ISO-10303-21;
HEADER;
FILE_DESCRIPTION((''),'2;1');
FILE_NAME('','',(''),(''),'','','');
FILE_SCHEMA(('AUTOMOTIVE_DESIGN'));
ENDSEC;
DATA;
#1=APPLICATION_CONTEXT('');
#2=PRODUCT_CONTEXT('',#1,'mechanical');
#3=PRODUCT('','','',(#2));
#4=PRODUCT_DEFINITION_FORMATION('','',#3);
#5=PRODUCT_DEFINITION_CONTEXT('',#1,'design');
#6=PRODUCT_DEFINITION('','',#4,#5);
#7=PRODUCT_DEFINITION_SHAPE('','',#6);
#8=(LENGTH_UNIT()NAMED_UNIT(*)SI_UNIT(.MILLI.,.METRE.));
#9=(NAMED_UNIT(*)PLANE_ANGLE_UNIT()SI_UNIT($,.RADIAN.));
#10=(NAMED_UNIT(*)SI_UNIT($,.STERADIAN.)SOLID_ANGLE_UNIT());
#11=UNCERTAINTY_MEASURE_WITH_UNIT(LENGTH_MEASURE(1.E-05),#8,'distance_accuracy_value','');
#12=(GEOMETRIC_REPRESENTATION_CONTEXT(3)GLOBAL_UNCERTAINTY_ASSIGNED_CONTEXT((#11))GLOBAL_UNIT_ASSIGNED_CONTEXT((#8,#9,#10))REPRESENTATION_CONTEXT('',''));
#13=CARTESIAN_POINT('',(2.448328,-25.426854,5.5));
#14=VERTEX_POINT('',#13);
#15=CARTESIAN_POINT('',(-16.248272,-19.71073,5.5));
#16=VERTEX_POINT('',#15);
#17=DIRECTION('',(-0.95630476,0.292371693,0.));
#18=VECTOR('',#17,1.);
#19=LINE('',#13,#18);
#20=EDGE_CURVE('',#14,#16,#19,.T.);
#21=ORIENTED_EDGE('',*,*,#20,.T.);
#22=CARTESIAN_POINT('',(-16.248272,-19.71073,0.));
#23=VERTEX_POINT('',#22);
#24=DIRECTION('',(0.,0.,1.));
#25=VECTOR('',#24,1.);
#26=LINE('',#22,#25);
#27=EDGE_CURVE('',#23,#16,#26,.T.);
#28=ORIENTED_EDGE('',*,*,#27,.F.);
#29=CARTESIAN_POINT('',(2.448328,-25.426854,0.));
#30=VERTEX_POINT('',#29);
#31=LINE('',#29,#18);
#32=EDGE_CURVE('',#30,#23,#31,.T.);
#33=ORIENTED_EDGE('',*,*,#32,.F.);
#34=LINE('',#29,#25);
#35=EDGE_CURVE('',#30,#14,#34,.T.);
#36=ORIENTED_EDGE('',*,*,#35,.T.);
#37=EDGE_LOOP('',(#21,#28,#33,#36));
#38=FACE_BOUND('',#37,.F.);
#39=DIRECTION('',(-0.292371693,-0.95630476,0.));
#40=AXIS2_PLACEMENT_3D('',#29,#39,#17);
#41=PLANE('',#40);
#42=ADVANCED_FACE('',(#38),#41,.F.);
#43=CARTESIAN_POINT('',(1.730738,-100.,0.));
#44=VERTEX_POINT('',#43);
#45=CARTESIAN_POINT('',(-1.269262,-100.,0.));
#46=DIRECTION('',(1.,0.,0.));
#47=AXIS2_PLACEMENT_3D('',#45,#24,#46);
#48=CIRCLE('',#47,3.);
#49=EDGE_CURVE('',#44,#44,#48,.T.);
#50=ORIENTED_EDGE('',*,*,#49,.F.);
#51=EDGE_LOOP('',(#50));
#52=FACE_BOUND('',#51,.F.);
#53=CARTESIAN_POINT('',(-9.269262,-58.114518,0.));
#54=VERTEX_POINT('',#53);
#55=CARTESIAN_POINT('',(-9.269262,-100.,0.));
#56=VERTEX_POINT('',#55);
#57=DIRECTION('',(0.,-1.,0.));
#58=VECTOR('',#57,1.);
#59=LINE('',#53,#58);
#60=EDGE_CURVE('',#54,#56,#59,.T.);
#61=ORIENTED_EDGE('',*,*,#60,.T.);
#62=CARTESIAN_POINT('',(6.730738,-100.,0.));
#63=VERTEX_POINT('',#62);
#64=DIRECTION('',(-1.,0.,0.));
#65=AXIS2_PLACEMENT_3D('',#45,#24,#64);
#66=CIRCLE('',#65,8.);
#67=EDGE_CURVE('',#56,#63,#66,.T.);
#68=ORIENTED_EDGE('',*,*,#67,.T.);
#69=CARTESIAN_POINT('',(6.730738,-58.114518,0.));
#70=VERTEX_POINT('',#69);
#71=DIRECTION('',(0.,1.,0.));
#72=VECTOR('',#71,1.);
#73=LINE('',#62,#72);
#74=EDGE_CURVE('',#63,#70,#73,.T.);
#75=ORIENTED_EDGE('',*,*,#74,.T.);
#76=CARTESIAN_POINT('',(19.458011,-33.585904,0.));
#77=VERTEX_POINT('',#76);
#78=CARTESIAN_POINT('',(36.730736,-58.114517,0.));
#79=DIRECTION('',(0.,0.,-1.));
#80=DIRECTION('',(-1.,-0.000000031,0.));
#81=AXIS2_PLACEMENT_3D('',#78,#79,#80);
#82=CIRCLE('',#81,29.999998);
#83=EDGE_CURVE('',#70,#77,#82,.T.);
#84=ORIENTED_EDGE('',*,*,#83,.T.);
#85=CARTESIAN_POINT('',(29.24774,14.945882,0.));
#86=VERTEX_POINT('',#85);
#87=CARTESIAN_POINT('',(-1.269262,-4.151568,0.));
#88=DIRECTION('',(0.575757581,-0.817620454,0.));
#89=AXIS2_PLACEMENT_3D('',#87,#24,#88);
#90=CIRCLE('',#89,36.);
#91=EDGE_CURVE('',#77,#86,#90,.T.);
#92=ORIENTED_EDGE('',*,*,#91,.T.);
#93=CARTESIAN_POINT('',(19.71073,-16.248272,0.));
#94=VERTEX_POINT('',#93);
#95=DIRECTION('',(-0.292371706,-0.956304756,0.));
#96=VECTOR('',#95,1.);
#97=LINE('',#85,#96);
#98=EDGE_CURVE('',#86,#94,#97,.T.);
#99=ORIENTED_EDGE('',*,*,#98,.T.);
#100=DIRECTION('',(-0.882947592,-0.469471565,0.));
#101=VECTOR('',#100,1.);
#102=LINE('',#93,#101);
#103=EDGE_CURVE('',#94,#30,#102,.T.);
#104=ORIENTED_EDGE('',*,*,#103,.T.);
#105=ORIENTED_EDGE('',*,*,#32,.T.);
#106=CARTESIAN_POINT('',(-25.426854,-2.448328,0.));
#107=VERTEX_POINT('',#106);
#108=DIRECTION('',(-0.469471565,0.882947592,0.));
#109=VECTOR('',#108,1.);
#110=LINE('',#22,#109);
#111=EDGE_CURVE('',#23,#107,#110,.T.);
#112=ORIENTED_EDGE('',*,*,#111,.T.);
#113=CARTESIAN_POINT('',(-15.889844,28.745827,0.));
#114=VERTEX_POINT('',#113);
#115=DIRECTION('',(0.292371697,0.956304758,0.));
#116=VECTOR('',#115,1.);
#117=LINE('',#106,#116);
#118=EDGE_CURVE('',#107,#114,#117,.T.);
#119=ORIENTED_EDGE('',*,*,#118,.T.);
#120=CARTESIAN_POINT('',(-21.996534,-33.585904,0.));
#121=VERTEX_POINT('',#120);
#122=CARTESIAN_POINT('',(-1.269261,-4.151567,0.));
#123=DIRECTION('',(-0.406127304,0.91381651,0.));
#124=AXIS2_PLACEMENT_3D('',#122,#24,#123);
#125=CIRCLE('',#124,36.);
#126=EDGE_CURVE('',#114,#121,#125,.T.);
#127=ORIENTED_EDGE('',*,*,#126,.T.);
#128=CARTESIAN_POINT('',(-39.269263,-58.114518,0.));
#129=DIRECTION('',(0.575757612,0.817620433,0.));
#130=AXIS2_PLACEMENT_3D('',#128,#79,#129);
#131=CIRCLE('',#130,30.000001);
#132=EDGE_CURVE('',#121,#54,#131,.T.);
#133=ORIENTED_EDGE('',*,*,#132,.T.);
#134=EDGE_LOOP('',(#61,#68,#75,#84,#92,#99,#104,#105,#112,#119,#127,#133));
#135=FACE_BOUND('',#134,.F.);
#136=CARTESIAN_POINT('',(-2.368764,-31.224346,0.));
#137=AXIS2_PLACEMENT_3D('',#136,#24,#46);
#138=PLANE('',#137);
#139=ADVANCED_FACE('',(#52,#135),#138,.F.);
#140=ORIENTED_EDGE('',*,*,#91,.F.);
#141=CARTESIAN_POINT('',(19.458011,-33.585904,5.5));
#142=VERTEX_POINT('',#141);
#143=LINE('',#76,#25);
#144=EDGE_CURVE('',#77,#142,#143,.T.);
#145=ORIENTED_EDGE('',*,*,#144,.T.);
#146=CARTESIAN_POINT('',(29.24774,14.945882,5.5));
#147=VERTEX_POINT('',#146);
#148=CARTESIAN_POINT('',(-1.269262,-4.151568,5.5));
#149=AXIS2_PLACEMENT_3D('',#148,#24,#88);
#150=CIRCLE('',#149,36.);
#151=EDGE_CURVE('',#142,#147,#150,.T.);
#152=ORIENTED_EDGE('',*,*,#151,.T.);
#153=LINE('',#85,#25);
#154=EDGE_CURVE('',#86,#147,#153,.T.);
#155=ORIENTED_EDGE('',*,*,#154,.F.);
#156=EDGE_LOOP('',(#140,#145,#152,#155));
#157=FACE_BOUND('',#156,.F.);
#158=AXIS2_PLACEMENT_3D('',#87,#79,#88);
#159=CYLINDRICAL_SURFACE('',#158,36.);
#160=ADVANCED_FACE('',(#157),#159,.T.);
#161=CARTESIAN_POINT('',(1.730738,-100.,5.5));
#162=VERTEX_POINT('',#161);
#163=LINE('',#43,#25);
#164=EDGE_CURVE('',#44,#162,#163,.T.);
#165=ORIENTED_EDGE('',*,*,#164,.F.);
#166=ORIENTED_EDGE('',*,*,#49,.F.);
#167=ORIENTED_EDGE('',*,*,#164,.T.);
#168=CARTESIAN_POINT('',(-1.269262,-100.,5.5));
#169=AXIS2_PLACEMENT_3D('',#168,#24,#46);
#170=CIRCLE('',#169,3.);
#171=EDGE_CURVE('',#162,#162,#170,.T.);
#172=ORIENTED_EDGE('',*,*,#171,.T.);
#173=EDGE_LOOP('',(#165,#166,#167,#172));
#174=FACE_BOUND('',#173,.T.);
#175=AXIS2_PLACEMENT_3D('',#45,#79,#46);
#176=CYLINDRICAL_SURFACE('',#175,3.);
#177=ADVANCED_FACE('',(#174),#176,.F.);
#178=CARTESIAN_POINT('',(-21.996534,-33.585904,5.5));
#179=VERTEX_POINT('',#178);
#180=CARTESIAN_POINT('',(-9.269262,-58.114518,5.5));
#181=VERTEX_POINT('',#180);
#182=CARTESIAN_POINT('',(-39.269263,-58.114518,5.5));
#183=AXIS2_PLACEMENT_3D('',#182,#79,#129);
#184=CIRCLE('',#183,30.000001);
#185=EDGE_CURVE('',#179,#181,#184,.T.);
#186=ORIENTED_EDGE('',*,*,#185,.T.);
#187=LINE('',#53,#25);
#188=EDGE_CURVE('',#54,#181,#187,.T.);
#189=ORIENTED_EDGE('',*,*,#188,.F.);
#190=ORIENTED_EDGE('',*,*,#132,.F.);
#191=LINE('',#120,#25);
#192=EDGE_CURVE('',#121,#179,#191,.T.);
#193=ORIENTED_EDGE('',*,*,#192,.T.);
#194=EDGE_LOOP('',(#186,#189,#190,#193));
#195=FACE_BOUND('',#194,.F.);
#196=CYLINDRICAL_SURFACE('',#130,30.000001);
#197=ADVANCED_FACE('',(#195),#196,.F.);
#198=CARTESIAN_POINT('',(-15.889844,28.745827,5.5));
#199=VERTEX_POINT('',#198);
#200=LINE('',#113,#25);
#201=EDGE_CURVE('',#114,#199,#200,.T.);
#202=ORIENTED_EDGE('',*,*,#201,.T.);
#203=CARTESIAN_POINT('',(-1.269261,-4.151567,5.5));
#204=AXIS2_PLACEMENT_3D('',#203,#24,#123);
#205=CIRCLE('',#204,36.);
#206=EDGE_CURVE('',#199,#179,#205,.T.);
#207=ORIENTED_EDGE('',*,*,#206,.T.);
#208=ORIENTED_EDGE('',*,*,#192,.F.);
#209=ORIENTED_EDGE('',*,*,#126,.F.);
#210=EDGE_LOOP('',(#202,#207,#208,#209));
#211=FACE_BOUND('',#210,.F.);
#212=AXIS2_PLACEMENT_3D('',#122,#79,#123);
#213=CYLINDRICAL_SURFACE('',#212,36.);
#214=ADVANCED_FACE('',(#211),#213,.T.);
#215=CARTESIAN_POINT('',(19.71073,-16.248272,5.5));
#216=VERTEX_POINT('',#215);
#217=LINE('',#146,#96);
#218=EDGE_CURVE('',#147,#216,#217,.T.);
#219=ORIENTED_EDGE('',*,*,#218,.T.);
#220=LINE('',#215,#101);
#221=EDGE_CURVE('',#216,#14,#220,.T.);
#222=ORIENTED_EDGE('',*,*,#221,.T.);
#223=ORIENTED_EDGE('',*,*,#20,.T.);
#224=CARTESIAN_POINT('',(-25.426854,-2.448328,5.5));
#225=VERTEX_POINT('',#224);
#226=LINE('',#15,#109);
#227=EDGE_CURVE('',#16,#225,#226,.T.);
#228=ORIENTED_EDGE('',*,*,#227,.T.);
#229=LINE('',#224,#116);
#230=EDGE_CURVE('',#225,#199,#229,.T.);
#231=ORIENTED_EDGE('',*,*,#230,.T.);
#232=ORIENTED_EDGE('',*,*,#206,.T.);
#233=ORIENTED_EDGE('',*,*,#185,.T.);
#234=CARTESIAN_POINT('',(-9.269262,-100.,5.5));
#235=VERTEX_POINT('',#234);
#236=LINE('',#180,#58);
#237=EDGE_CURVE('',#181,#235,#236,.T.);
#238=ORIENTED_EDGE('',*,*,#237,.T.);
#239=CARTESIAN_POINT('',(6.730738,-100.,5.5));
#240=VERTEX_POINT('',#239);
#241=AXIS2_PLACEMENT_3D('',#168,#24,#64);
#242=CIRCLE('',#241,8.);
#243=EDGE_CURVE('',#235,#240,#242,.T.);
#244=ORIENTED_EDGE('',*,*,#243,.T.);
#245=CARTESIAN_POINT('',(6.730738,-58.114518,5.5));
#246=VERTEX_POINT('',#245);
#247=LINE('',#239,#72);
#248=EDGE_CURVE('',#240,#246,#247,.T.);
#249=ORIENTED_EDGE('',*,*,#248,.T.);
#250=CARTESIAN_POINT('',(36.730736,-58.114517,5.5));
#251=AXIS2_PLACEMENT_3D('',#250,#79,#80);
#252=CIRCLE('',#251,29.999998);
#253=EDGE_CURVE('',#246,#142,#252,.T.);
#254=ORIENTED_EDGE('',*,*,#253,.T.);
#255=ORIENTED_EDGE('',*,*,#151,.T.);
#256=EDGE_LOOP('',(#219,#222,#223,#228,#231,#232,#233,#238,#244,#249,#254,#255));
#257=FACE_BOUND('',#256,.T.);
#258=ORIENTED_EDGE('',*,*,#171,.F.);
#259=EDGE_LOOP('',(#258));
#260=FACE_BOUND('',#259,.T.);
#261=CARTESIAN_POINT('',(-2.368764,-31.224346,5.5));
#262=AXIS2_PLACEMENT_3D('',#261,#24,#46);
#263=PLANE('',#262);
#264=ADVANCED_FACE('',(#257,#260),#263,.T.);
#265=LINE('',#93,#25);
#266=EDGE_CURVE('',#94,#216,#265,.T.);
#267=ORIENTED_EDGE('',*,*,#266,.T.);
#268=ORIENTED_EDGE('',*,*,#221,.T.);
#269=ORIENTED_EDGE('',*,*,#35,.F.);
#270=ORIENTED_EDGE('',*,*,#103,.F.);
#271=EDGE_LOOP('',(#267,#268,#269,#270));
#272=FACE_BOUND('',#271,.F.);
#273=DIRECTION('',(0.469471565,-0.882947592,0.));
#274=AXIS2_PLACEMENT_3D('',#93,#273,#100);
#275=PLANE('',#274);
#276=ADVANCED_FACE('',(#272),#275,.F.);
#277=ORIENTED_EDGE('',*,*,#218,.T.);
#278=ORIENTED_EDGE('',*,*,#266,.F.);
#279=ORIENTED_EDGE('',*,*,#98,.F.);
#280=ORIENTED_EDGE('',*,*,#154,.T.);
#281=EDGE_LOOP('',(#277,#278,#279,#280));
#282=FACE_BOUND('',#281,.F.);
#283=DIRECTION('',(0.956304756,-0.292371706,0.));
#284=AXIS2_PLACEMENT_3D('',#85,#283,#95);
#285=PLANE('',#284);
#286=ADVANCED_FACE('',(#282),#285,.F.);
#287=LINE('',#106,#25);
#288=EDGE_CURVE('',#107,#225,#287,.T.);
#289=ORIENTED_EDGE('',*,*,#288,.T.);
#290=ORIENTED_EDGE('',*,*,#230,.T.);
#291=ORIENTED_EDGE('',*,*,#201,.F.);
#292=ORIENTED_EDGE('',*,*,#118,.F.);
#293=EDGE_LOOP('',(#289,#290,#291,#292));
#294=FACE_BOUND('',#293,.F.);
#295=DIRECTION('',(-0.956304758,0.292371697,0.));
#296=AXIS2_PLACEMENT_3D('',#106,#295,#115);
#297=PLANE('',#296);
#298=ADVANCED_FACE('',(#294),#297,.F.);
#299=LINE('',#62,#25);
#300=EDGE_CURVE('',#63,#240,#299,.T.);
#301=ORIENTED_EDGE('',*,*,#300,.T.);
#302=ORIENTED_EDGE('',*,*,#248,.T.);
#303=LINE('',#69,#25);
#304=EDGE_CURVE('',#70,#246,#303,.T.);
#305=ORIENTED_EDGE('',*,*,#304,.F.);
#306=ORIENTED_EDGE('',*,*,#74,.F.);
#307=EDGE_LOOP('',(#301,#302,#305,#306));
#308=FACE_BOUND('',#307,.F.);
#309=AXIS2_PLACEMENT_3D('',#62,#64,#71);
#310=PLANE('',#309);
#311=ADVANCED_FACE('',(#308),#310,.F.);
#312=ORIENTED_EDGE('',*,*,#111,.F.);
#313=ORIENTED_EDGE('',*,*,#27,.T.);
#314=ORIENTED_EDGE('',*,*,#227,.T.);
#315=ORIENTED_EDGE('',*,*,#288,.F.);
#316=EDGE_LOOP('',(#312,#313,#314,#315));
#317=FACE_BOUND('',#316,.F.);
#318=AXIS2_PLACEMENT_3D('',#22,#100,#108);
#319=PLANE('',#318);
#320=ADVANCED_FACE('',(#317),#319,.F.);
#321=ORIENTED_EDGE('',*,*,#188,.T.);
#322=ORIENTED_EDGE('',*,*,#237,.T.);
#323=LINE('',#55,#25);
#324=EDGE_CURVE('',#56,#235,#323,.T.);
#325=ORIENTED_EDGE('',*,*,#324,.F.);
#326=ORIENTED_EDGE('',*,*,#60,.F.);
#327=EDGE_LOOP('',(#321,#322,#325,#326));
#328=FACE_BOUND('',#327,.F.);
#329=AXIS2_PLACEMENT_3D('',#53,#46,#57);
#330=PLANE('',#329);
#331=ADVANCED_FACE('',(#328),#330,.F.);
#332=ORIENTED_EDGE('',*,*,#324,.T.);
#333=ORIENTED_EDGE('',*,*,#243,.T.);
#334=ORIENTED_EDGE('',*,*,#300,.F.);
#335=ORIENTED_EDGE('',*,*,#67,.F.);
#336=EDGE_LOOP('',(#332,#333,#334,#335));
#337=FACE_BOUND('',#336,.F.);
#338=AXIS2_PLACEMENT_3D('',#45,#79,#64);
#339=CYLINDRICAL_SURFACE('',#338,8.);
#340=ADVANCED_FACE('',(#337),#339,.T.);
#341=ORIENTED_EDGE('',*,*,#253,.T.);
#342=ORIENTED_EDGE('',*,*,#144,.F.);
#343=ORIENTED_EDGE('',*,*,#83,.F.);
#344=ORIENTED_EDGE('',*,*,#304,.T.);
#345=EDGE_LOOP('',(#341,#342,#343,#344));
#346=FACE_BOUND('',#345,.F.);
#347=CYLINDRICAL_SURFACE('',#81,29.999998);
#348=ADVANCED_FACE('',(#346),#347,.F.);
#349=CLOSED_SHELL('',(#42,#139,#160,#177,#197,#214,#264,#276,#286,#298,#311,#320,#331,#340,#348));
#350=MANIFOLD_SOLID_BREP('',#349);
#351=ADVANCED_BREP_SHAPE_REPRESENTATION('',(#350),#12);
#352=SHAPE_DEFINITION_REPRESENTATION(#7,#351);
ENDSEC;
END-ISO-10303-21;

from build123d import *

# Parameters (mm, degrees)
F0_R     = 3
F1_DEPTH = 5.5


with BuildPart() as f1:
    # F0 (on Top) → F1 (new body)
    with BuildSketch(Plane.XY):
        with BuildLine():
            Line((-9.269262, -58.114518), (-9.269262, -100))
            ThreePointArc((-9.269262, -100), (-1.269262, -108), (6.730738, -100))
            Line((6.730738, -100), (6.730738, -58.114518))
            ThreePointArc((6.730738, -58.114518), (10.101977, -44.297532), (19.458011, -33.585904))
            ThreePointArc((19.458011, -33.585904), (34.019936, -11.27003), (29.24774, 14.945882))
            Line((29.24774, 14.945882), (19.71073, -16.248272))
            Line((19.71073, -16.248272), (2.448328, -25.426854))
            Line((2.448328, -25.426854), (-16.248272, -19.71073))
            Line((-16.248272, -19.71073), (-25.426854, -2.448328))
            Line((-25.426854, -2.448328), (-15.889844, 28.745827))
            ThreePointArc((-15.889844, 28.745827), (-37.097726, -0.641424), (-21.996534, -33.585904))
            ThreePointArc((-21.996534, -33.585904), (-12.640501, -44.297532), (-9.269262, -58.114518))
        make_face()
        with Locations((-1.269262, -100)):
            Circle(F0_R, mode=Mode.SUBTRACT)
    extrude(amount=F1_DEPTH)


solid = f1.part
